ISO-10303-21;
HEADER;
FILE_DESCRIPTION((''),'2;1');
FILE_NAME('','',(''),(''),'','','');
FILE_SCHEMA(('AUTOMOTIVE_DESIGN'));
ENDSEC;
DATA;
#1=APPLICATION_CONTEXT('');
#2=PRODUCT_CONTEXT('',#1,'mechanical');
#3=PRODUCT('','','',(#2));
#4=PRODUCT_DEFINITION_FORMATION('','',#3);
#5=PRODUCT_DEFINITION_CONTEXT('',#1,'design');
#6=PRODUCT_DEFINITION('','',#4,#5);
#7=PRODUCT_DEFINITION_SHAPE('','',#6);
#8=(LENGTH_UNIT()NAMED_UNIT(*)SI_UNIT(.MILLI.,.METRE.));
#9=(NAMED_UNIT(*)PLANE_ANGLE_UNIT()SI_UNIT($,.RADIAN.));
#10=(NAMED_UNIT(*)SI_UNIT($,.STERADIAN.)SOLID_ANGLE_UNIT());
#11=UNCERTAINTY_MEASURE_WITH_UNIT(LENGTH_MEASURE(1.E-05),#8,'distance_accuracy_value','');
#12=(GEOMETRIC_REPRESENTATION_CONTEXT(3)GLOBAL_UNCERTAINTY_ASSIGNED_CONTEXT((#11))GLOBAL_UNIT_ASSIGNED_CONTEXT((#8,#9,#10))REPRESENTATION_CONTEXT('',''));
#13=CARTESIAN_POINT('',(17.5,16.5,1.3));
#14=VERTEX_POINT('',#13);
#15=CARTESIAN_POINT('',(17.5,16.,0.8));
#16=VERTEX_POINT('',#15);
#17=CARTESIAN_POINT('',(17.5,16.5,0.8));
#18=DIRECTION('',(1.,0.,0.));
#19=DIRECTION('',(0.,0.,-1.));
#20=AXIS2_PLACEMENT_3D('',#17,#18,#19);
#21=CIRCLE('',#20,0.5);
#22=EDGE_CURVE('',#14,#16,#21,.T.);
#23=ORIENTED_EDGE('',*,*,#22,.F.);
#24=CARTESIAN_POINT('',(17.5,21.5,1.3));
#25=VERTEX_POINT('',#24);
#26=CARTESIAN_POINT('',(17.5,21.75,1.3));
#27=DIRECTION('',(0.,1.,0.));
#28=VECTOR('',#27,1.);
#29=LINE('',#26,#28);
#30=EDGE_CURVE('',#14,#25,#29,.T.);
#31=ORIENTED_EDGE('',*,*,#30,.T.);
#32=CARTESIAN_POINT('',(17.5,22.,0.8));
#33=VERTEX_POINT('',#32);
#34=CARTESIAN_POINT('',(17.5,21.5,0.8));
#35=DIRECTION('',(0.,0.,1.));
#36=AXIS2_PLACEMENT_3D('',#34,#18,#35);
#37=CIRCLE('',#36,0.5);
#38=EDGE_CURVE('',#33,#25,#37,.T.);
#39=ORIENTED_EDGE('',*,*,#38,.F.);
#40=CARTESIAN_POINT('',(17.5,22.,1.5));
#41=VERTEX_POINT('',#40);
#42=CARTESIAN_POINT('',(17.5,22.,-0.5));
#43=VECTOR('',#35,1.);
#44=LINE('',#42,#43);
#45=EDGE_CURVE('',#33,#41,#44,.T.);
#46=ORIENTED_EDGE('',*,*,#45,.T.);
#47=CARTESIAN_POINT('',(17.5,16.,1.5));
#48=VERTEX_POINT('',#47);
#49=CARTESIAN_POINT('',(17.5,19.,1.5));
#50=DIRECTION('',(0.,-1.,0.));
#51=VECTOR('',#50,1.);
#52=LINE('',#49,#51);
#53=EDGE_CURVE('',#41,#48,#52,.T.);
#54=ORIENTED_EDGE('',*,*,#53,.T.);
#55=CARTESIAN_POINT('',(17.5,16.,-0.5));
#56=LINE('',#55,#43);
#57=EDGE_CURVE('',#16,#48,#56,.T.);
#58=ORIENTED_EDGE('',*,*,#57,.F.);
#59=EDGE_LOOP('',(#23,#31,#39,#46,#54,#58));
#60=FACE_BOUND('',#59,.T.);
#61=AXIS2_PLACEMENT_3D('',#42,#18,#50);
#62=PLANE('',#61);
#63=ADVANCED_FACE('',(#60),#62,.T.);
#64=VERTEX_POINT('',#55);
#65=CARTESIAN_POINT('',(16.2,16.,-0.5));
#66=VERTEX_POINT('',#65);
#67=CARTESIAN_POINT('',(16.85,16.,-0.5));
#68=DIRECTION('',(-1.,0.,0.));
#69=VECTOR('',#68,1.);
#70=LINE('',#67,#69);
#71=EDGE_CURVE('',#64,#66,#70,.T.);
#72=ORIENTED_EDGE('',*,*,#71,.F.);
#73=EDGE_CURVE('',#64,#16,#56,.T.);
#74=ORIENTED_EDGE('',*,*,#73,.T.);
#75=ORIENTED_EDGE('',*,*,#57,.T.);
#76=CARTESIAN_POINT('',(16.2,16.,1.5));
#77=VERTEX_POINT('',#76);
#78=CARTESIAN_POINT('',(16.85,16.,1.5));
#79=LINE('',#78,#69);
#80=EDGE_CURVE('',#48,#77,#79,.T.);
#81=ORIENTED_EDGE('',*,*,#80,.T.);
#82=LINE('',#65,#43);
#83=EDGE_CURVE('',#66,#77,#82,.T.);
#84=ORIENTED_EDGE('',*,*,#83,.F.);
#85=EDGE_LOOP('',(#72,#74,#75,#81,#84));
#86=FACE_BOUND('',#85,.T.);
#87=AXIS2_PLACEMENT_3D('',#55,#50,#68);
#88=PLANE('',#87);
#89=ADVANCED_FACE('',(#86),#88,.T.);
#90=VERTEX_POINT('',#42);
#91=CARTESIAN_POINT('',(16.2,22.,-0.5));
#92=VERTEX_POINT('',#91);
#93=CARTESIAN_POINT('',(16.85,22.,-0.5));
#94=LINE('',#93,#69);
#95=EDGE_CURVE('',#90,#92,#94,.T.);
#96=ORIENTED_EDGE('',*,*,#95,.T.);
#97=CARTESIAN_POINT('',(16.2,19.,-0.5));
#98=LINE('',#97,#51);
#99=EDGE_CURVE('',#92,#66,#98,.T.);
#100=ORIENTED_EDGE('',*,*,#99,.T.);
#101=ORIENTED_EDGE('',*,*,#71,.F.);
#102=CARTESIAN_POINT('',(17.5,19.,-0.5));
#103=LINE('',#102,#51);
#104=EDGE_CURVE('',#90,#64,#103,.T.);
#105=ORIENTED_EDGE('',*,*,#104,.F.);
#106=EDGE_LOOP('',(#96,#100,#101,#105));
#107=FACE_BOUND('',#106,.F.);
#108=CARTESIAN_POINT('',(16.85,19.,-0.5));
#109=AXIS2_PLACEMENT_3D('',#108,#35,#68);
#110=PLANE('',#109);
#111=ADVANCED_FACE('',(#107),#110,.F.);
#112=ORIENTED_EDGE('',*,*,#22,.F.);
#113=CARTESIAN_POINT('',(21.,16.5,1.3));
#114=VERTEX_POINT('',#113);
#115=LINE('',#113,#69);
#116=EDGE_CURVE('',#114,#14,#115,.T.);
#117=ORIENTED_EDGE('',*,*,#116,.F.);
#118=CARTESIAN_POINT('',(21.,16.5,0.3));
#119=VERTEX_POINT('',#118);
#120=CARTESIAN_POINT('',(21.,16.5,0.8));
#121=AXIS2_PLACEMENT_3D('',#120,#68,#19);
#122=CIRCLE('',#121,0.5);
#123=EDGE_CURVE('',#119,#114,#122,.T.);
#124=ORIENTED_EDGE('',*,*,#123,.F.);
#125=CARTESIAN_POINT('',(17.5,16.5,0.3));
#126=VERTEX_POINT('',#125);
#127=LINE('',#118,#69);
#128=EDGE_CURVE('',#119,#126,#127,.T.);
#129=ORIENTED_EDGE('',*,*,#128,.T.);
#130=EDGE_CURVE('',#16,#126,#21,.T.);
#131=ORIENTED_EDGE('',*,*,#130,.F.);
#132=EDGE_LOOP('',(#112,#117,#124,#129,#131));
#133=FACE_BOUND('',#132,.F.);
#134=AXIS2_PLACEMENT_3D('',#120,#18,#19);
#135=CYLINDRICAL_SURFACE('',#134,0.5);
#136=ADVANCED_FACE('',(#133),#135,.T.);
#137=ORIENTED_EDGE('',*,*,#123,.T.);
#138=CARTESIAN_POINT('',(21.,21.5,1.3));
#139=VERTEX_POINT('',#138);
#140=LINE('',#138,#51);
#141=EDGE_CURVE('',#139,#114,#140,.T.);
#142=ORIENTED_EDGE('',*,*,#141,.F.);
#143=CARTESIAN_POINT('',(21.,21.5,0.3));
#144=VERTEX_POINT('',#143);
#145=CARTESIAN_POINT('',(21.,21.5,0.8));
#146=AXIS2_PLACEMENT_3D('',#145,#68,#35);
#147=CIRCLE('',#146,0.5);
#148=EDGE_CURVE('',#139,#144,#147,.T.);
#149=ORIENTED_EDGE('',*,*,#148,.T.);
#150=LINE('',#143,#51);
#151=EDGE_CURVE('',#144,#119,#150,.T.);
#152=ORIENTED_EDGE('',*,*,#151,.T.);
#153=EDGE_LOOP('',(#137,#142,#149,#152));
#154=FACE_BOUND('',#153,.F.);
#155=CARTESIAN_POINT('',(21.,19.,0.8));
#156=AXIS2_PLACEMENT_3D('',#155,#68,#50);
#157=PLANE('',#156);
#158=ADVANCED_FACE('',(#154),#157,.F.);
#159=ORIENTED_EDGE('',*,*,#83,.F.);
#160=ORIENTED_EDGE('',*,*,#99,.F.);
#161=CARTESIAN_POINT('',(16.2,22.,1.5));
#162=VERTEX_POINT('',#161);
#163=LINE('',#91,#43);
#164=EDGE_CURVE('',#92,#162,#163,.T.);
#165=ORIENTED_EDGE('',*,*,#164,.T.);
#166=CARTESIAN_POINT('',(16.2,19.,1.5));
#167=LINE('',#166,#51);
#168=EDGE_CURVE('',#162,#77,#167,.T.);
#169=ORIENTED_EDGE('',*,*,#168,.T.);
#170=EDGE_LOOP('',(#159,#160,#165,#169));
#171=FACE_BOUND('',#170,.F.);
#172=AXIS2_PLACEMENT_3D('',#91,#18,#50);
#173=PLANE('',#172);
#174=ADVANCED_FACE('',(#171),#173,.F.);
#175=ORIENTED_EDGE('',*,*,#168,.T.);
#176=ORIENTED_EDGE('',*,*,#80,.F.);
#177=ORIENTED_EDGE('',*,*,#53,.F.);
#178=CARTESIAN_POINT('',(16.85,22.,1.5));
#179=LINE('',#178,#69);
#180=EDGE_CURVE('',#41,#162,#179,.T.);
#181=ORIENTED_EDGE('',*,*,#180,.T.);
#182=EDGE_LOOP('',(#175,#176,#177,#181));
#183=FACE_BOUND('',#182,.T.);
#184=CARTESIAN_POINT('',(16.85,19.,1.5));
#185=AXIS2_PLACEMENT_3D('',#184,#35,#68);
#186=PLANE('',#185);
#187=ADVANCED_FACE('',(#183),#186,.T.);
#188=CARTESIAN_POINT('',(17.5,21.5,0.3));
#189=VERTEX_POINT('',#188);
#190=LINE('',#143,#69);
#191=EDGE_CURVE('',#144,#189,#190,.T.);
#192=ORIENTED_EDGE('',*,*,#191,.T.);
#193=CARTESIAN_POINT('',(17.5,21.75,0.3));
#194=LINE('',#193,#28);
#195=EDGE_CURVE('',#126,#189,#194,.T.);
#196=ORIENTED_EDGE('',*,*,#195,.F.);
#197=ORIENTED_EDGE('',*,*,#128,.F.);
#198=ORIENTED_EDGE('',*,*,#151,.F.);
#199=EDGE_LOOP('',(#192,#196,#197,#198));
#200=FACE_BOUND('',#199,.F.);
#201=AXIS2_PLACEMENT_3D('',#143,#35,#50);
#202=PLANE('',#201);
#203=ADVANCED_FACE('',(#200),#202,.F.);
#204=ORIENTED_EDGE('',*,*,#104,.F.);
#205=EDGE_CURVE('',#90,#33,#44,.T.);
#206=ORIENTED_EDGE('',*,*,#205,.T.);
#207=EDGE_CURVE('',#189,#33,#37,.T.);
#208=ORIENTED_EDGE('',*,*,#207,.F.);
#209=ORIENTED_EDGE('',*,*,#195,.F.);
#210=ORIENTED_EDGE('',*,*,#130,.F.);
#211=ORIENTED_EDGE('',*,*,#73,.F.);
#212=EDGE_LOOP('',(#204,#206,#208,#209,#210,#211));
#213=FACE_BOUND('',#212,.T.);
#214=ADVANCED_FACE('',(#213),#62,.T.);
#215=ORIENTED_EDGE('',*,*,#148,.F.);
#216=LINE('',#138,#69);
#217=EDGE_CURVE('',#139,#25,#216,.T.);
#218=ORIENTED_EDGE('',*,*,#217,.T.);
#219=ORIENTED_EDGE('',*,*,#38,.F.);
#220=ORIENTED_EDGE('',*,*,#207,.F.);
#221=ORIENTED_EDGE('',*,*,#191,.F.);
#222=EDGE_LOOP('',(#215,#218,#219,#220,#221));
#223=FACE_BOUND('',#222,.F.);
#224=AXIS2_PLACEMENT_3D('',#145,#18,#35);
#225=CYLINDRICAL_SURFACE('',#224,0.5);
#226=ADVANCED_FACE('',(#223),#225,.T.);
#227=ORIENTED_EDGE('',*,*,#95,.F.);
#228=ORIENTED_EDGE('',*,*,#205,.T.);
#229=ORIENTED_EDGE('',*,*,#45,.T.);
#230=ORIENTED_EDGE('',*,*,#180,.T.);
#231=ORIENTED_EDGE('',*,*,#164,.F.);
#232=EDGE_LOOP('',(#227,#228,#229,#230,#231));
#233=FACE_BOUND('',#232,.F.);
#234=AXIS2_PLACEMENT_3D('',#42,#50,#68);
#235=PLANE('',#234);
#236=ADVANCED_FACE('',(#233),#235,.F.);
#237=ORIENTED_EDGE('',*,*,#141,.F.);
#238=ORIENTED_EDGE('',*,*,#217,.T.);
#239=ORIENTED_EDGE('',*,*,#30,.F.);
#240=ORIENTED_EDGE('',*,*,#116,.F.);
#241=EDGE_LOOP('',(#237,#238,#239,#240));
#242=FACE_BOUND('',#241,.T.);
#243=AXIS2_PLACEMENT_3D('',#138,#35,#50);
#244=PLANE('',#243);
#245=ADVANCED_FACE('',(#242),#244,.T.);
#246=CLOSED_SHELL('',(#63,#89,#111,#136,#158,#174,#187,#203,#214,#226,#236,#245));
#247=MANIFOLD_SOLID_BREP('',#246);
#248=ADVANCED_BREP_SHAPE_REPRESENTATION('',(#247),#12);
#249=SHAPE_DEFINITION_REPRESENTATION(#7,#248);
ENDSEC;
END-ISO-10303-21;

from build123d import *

# Parameters (mm, degrees)
BOX004_W                  = 1.3
BOX004_H                  = 6
BOX004_DEPTH              = 2
EXTRUDE_DEPTH             = 4
FUSION001_PLACEMENT_ANGLE = 180


with BuildPart() as cube001:
    # Box004 → Box004 (new body)
    with BuildSketch(Plane(origin=(0, 16, 0.5), x_dir=(1, 0, 0), z_dir=(0, 0, 1))):
        with Locations((0.65, 3)):
            Rectangle(BOX004_W, BOX004_H)
    extrude(amount=BOX004_DEPTH)


with BuildPart() as fusion001:
    # Sketch011 → Extrude (new body)
    with BuildSketch(Plane.YZ):
        with BuildLine():
            ThreePointArc((14, -1), (13.5, -1.5), (14, -2))
            Line((14, -2), (19, -2))
            ThreePointArc((19, -2), (19.5, -1.5), (19, -1))
            Line((14, -1), (19, -1))
        make_face()
    extrude(amount=EXTRUDE_DEPTH)


with BuildPart() as fusion001_1:
    # Extrude placement: moved
    add(fusion001.part.moved(Location((-3.5, 2.5, 3.3))))

    # Fusion001: union Cube001
    add(cube001.part)


with BuildPart() as fusion001_2:
    # Fusion001 placement: moved
    add(fusion001_1.part.moved(Location((17.5, 38, -1))).rotate(Axis((17.5, 38, -1), (0, 0, 1)), FUSION001_PLACEMENT_ANGLE))


solid = fusion001_2.part
